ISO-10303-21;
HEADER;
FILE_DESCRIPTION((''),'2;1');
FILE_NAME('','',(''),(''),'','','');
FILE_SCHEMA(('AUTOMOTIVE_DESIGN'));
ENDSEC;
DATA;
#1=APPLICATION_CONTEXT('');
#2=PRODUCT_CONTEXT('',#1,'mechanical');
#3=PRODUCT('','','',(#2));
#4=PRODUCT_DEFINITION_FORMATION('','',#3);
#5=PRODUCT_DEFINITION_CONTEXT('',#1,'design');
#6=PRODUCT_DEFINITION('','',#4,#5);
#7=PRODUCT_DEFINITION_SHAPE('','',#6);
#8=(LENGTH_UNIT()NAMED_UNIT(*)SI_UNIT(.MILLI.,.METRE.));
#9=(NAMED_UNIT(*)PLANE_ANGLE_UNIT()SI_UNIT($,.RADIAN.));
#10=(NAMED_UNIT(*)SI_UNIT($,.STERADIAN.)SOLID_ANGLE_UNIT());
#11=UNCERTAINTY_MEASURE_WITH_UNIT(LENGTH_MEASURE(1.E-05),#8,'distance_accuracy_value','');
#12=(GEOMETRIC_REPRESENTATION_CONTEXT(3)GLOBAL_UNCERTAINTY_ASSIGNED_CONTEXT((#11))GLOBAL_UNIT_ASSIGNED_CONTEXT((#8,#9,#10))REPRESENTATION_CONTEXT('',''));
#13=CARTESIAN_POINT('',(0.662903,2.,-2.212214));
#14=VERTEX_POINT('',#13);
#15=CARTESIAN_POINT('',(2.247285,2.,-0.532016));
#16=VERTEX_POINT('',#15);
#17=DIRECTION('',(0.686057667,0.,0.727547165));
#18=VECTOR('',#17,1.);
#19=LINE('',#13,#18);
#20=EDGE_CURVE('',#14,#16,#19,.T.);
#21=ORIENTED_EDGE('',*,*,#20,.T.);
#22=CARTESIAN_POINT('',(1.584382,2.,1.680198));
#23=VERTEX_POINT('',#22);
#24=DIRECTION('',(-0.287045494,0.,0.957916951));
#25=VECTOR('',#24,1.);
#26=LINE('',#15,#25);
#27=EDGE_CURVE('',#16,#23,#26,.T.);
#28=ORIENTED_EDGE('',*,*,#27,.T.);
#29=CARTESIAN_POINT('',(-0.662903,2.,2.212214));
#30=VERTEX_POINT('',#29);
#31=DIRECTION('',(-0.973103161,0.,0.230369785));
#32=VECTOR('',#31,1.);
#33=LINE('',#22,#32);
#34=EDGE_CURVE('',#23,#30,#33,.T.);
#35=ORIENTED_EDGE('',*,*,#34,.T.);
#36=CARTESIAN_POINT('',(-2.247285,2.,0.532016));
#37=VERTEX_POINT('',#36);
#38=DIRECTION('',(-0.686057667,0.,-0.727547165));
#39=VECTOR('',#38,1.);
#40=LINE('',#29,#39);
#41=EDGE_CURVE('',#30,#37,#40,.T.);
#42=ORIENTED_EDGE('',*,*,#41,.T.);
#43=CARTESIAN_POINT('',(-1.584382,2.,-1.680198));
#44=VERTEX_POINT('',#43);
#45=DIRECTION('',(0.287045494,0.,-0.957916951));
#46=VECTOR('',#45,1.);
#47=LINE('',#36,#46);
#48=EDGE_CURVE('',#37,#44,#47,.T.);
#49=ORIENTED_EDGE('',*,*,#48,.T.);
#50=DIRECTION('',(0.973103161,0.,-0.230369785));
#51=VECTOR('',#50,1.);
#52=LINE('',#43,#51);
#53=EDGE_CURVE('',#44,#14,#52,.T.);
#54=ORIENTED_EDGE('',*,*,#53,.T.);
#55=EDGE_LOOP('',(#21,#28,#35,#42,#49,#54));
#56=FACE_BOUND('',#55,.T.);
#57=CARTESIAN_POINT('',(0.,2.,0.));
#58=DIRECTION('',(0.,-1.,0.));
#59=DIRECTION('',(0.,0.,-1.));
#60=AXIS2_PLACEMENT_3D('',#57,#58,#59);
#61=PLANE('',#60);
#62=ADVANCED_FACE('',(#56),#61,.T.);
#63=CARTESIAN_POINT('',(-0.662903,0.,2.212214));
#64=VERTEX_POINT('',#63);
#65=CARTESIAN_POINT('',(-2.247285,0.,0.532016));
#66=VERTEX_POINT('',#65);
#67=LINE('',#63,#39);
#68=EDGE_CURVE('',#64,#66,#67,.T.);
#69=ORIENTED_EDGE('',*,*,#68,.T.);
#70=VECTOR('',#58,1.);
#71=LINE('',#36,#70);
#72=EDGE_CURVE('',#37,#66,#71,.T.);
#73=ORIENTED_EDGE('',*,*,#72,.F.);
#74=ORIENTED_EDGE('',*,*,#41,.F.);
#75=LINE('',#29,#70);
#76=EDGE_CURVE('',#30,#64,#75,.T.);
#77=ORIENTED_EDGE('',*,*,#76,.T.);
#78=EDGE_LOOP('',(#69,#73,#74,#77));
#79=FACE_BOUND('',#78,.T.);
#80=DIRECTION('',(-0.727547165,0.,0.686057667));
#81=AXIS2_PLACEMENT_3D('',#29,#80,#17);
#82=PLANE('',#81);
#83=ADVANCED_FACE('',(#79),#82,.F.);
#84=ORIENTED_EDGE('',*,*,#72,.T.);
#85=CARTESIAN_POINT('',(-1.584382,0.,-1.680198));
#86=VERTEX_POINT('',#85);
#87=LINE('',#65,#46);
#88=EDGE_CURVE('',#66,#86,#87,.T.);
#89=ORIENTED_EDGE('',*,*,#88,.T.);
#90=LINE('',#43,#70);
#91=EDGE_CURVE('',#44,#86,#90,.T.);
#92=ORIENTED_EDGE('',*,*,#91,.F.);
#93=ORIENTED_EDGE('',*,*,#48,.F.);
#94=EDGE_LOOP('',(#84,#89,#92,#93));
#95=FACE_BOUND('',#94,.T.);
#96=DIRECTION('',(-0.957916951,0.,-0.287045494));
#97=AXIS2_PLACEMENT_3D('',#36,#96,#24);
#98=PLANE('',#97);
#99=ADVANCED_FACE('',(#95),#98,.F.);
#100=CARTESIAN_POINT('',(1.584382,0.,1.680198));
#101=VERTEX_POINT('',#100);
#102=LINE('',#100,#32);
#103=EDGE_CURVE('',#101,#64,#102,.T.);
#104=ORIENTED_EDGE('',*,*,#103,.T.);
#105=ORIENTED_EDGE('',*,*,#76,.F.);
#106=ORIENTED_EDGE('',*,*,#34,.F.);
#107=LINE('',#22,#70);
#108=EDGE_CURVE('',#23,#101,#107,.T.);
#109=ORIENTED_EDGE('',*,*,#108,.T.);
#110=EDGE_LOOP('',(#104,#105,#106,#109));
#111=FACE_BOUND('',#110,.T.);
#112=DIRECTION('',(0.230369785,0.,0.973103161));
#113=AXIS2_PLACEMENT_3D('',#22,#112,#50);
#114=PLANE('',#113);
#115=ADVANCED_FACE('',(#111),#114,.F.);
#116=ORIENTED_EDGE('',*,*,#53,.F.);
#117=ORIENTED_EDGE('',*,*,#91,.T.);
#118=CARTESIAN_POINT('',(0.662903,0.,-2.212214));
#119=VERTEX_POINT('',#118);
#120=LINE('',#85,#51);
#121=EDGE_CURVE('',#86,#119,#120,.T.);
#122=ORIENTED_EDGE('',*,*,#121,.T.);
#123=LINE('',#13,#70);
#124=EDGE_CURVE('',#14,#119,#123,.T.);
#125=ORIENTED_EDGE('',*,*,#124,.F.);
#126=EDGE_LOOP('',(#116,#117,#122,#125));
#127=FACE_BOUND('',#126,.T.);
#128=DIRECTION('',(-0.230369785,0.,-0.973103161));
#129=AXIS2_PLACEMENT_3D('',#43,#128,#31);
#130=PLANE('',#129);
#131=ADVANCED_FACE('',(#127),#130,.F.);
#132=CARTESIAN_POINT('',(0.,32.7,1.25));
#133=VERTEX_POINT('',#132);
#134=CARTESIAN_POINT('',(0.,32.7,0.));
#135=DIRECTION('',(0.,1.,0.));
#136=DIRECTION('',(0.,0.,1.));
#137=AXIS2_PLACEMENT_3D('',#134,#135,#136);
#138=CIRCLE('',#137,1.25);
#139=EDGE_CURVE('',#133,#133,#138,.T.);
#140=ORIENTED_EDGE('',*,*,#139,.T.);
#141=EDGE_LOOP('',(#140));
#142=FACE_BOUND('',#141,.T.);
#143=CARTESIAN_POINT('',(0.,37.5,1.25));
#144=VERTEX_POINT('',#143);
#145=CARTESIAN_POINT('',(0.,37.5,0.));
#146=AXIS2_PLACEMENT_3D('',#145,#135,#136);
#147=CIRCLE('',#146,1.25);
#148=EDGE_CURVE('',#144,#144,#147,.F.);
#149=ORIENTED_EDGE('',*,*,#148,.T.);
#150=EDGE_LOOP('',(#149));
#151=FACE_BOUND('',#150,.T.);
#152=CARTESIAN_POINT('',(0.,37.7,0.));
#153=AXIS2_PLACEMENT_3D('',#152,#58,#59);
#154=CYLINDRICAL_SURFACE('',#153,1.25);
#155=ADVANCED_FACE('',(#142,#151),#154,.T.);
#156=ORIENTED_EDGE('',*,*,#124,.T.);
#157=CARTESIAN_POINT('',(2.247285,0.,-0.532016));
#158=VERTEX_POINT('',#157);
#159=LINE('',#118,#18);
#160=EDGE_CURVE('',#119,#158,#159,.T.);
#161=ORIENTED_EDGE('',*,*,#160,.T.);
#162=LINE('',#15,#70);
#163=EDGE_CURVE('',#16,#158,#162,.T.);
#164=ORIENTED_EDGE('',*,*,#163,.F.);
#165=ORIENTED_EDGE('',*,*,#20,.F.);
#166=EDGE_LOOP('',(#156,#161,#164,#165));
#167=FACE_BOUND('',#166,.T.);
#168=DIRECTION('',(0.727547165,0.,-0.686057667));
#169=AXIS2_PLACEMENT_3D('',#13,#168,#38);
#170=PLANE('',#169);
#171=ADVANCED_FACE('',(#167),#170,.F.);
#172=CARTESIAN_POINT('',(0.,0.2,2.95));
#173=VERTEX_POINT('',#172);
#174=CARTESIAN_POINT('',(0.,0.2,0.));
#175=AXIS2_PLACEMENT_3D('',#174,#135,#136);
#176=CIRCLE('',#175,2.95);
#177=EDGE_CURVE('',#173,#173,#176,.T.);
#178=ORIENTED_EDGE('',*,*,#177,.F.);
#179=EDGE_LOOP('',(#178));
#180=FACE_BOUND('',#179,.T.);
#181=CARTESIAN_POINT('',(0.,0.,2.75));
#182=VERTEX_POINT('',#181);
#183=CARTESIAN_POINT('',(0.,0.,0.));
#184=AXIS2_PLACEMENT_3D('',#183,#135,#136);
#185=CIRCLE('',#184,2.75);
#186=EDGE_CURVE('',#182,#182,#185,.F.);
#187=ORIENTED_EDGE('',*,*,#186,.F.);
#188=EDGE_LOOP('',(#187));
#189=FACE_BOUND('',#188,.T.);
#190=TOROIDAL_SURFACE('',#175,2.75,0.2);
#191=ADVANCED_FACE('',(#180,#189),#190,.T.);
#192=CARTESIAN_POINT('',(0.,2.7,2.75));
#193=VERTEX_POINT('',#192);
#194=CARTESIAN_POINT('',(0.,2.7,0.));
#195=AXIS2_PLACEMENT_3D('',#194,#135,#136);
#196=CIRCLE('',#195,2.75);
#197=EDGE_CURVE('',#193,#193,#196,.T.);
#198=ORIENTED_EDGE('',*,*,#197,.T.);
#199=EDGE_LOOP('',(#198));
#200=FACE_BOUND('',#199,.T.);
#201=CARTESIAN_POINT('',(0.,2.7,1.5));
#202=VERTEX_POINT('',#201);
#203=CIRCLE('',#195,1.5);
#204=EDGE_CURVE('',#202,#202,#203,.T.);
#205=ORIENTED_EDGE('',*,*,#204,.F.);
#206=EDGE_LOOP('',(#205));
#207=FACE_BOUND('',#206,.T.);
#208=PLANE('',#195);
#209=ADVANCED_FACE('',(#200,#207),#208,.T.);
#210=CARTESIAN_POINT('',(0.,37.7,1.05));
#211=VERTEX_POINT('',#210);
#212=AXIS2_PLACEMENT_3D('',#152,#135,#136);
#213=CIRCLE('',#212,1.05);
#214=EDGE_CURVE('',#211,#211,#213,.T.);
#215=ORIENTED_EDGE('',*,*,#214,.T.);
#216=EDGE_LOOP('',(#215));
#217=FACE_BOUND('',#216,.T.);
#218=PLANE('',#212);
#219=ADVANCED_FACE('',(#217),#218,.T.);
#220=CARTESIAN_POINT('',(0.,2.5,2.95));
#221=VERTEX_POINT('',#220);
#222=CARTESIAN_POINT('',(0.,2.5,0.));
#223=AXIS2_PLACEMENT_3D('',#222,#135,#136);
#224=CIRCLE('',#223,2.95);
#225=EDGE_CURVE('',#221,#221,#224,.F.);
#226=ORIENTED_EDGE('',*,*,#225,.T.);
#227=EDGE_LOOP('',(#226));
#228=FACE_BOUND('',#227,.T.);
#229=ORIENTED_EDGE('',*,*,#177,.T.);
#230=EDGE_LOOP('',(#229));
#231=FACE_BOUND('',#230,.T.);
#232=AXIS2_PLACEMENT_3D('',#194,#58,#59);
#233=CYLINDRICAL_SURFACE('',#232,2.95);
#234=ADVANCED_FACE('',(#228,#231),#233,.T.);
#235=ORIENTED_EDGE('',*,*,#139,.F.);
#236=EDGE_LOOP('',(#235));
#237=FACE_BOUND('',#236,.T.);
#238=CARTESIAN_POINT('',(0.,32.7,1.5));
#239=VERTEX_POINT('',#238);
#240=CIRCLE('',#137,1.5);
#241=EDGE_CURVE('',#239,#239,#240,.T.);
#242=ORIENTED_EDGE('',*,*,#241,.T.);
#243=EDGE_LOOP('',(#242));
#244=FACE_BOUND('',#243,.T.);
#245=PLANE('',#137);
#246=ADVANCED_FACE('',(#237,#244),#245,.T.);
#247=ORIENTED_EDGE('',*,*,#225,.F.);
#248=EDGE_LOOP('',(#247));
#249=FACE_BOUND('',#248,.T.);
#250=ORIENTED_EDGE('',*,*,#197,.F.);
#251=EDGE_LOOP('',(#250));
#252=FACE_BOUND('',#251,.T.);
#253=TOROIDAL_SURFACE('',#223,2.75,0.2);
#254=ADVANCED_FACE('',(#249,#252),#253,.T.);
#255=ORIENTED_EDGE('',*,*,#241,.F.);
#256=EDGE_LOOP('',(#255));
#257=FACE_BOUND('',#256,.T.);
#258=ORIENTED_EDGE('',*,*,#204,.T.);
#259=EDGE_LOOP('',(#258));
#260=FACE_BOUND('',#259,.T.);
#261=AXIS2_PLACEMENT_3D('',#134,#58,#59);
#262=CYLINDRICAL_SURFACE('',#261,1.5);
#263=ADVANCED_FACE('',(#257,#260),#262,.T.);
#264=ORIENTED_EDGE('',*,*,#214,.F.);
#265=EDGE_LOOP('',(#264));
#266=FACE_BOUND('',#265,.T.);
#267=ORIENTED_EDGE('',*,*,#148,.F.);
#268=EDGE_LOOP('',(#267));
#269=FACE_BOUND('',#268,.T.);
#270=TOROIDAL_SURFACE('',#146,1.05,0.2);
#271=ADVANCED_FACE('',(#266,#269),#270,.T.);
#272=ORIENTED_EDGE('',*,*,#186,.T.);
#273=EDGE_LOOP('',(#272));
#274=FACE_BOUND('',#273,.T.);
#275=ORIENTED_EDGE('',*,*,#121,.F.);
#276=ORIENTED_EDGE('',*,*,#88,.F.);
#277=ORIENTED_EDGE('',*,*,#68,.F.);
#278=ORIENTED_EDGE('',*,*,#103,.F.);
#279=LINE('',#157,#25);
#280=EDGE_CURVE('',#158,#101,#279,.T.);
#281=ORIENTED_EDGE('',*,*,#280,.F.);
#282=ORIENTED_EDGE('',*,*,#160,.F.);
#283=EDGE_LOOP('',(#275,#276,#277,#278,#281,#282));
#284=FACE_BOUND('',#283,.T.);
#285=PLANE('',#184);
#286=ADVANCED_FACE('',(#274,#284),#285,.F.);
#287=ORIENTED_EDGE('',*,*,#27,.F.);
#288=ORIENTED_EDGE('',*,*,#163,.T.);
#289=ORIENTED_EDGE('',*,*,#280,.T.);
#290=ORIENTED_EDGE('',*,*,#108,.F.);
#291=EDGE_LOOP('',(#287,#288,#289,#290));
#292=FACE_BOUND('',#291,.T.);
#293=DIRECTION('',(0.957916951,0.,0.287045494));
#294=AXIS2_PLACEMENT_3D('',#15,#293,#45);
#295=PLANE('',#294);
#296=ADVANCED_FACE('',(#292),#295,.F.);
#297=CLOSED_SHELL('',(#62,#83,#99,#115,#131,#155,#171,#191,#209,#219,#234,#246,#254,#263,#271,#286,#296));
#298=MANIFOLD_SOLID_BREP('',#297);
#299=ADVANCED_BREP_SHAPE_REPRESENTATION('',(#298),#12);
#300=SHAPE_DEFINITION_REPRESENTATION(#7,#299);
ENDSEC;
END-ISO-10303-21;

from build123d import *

# Parameters (mm, degrees)
SKETCH_1_R          = 2.95
EXTRUDE_1_DEPTH     = 2.7
SKETCH_2_R          = 1.5
EXTRUDE_2_DEPTH     = 30
SKETCH_3_R          = 1.25
EXTRUDE_3_DEPTH     = 5
CUT_EXTRUDE_1_DEPTH = 2
FILLET_1_R          = 0.2


with BuildPart() as part:
    # 草图1 → 凸台-拉伸1 (new body)
    with BuildSketch(Plane(origin=(0, 0, 0), x_dir=(1, 0, 0), z_dir=(0, 1, 0))):
        Circle(SKETCH_1_R)
    extrude(amount=EXTRUDE_1_DEPTH)

    # 草图2 → 凸台-拉伸2 (add)
    with BuildSketch(Plane(origin=(0, 2.7, 0), x_dir=(1, 0, 0), z_dir=(0, 1, 0))):
        Circle(SKETCH_2_R)
    extrude(amount=EXTRUDE_2_DEPTH)

    # 草图3 → 凸台-拉伸3 (add)
    with BuildSketch(Plane(origin=(0, 32.7, 0), x_dir=(1, 0, 0), z_dir=(0, 1, 0))):
        Circle(SKETCH_3_R)
    extrude(amount=EXTRUDE_3_DEPTH)

    # 草图4 → 切除-拉伸1 (cut)
    with BuildSketch(Plane.XZ):
        Polygon((2.247285488, -0.53201623), (1.584382314, 1.680198207), (-0.662903174, 2.212214437), (-2.247285488, 0.53201623), (-1.584382314, -1.680198207), (0.662903174, -2.212214437), align=None)
    extrude(amount=-CUT_EXTRUDE_1_DEPTH, mode=Mode.SUBTRACT)

    # 圆角1
    fillet_1_edges = [part.edges().sort_by_distance(p)[0] for p in [
        (-1.25, 37.7, 0),
        (-2.95, 0, 0),
        (-2.95, 2.7, 0),
    ]]
    fillet(fillet_1_edges, radius=FILLET_1_R)


solid = part.part
